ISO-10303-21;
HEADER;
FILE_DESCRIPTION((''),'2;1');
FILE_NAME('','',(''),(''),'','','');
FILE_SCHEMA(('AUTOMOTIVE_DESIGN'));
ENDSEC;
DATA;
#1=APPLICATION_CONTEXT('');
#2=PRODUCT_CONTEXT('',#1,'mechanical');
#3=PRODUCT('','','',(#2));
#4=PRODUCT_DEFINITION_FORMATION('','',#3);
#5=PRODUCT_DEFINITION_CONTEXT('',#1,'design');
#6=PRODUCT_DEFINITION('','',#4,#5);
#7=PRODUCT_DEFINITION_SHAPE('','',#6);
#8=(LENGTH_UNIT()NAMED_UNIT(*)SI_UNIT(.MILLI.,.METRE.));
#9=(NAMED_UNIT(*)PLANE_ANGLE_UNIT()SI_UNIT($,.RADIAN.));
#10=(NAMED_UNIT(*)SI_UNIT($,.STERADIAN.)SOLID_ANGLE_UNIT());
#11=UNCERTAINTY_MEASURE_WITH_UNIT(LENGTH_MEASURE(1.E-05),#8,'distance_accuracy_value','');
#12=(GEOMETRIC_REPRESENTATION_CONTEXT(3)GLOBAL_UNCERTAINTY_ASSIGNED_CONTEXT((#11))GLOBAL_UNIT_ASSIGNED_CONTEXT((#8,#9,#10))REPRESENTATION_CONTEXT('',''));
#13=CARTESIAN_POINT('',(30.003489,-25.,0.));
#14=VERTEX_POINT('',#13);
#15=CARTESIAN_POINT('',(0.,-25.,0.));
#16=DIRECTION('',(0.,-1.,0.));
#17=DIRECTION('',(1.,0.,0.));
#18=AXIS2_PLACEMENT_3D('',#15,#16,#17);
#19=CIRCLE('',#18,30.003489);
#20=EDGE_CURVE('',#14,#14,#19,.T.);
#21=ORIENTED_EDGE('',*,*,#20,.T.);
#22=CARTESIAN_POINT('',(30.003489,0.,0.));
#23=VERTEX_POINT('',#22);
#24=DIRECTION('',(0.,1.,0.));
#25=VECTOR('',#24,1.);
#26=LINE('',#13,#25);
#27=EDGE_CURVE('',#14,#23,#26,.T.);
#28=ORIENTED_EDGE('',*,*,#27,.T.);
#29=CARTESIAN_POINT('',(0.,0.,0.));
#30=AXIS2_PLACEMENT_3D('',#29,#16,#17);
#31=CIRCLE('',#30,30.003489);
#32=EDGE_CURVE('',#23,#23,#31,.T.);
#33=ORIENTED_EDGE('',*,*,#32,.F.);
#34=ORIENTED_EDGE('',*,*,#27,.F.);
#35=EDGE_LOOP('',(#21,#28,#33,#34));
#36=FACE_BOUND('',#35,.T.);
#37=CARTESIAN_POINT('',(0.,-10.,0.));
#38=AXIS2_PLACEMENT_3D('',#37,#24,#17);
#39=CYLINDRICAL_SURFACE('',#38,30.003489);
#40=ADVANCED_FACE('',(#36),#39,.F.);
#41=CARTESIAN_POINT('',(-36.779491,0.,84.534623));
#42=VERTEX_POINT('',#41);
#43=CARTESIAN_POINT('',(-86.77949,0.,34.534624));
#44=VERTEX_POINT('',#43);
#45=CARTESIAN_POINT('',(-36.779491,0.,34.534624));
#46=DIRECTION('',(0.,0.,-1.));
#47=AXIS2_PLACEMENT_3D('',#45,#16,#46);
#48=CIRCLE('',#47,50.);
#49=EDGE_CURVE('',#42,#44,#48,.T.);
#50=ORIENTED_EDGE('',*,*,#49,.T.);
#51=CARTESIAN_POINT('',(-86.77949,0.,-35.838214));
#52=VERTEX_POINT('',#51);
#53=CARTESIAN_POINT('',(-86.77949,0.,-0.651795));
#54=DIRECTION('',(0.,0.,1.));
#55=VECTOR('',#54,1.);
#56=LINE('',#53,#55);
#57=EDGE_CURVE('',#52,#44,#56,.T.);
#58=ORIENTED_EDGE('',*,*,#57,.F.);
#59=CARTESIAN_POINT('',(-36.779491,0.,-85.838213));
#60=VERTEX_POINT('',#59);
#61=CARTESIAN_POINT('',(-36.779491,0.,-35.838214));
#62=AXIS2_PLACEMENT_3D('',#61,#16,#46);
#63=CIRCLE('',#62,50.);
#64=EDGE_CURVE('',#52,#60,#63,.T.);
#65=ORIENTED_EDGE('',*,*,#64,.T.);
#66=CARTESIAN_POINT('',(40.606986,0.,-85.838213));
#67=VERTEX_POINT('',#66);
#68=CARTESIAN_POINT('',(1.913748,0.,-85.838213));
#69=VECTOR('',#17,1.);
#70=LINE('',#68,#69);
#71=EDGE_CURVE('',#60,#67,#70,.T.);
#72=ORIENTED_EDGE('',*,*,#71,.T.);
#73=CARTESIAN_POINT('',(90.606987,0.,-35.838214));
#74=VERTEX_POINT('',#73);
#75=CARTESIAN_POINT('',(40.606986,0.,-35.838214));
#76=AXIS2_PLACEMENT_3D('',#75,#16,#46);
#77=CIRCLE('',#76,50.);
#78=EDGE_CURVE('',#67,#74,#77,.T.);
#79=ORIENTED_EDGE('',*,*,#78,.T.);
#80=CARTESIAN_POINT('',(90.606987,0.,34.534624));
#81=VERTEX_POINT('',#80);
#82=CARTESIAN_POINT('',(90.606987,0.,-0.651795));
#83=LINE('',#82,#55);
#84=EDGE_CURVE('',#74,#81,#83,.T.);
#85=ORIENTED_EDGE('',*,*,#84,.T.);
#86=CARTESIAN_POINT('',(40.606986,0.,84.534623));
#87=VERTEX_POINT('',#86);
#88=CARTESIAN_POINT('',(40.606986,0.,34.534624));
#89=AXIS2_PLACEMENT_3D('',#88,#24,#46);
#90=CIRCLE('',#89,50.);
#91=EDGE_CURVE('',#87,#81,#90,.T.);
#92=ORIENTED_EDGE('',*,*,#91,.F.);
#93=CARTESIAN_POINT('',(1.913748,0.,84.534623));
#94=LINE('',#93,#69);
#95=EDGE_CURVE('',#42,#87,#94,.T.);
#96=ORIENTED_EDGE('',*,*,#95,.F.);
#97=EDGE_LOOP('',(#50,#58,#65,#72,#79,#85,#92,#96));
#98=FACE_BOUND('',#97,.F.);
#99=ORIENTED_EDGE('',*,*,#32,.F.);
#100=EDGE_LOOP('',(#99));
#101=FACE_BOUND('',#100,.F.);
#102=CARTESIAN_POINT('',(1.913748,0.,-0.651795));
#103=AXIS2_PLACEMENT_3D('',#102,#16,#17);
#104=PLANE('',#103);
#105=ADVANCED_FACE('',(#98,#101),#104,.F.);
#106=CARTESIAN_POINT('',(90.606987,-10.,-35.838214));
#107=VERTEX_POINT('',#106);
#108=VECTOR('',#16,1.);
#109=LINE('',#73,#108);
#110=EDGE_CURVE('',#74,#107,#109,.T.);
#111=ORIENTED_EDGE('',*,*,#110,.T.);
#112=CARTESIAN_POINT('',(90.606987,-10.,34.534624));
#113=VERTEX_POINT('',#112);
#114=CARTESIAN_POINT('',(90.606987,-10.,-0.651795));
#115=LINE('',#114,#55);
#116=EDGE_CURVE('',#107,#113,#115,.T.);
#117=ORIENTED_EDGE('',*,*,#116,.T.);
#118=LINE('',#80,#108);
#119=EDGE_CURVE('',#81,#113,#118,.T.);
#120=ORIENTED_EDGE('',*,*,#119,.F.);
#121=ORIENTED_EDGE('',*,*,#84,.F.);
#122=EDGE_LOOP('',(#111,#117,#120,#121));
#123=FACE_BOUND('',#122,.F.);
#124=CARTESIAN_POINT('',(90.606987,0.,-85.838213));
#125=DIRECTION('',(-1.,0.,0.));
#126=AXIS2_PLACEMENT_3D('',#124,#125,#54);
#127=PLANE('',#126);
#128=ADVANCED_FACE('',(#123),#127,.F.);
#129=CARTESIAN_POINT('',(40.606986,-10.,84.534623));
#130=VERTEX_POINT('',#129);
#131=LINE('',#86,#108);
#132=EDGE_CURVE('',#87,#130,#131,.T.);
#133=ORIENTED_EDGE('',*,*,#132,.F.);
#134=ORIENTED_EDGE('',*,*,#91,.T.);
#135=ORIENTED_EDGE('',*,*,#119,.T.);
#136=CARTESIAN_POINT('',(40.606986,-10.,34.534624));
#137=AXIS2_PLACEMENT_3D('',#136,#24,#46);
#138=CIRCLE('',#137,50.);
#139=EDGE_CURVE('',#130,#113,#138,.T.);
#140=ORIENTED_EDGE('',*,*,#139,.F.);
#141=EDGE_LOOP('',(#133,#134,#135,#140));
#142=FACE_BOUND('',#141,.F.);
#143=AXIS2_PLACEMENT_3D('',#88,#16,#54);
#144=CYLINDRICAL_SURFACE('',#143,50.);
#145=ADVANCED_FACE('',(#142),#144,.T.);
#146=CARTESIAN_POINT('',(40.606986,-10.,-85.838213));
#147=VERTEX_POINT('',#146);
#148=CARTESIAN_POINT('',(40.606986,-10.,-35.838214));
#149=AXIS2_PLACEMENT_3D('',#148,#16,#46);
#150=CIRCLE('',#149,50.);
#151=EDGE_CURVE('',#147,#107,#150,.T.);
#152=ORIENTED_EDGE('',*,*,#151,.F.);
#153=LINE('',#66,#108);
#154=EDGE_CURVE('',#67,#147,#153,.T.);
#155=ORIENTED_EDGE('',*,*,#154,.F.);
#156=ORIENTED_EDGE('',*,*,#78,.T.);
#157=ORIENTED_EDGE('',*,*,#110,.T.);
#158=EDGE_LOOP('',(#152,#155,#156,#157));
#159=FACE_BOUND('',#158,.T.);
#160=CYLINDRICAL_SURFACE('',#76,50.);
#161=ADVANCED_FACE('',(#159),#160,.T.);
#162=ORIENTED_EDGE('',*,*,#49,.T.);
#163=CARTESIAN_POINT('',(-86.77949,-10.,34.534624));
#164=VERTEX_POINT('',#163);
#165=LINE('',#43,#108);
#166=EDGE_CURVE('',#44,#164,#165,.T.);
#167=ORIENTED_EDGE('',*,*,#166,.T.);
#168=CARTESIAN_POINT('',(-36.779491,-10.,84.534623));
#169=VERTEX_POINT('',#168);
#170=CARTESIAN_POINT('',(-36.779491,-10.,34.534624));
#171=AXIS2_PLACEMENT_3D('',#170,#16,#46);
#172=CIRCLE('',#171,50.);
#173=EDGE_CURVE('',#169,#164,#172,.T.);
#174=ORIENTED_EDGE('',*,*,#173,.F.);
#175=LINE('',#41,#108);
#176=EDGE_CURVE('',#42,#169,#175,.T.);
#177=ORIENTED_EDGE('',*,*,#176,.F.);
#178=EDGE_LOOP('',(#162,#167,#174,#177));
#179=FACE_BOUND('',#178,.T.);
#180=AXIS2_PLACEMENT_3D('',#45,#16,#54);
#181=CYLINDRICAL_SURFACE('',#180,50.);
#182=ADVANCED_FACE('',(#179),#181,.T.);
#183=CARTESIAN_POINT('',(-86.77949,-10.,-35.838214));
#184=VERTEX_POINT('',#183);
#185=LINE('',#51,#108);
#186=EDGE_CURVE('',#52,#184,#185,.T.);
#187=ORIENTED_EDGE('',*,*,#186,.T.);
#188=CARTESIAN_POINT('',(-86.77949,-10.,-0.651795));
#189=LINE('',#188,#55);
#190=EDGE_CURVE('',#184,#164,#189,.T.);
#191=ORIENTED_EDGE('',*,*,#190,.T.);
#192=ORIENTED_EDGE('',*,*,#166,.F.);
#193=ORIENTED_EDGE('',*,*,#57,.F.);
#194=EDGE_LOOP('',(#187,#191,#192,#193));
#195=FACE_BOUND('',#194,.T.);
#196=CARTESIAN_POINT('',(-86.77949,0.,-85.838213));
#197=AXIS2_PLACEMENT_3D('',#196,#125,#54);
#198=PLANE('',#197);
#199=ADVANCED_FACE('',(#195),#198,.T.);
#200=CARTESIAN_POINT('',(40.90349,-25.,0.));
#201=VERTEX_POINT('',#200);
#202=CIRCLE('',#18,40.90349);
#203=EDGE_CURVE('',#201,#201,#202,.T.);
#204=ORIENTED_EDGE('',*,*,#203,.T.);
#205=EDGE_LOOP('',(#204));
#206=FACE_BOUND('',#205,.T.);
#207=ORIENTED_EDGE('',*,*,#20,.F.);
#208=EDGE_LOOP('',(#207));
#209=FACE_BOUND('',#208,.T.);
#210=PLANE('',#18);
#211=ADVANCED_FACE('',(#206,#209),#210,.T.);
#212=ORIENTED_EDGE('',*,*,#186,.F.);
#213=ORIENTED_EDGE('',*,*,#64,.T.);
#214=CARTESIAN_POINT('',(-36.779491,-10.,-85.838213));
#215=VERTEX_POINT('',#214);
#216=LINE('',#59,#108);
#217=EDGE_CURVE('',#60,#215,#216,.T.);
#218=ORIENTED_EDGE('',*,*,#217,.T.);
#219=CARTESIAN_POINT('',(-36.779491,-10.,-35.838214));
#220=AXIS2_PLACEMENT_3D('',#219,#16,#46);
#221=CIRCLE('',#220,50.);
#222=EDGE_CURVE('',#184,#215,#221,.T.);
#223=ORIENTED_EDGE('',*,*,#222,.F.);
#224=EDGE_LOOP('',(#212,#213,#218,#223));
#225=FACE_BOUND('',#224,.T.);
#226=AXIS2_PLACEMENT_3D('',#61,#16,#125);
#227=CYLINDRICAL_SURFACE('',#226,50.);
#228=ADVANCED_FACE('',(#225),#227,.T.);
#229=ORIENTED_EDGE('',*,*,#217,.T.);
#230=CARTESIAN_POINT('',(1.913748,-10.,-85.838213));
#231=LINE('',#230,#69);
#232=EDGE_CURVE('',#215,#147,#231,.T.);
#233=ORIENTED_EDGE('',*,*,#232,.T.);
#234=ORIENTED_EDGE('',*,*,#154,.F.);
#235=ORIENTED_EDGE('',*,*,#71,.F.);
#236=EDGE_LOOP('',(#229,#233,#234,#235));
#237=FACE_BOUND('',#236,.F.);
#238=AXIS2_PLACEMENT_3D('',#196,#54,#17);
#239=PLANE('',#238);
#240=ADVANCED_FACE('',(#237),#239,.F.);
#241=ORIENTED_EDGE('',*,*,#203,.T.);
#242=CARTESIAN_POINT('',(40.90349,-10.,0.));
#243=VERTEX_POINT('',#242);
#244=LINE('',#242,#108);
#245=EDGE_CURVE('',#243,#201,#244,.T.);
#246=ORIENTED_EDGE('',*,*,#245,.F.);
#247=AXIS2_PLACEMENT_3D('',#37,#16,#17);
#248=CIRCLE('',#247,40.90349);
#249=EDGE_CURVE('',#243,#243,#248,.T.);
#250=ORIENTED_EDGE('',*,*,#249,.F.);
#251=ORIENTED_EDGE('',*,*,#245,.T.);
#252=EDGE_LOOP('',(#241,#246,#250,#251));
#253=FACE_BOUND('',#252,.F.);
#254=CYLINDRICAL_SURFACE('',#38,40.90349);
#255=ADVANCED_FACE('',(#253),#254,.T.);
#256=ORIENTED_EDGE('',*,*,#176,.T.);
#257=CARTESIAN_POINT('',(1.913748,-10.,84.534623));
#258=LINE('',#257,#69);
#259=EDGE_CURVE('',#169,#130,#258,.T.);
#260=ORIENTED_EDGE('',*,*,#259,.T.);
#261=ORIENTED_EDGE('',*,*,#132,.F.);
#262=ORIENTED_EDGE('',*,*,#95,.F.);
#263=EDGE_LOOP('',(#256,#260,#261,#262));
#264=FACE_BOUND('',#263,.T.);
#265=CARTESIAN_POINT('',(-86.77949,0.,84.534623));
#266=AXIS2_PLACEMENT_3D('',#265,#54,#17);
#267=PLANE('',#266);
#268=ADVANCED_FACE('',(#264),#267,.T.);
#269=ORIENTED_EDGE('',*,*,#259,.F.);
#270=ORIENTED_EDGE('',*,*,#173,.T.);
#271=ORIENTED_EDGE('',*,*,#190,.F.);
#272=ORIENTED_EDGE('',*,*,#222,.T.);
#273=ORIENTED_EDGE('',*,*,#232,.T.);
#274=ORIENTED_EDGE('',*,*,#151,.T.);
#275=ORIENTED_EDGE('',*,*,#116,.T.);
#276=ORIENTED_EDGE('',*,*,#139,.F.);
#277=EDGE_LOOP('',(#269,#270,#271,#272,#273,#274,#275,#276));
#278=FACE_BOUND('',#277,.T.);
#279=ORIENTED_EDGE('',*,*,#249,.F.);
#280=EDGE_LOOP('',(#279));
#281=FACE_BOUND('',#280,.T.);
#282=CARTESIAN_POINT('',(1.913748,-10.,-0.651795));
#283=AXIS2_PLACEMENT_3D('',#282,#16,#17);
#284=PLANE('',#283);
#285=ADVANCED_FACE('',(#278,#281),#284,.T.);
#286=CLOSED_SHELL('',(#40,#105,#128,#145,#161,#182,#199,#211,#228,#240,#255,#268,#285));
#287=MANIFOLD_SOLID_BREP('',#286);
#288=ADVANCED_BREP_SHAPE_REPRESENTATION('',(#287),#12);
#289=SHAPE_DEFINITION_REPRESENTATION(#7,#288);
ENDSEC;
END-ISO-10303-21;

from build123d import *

# Parameters (mm, degrees)
F0_W     = 177.386477
F0_H     = 170.372837
F0_R     = 30.003489
F1_DEPTH = 10
F2_R     = 40.90349
F2_R_2   = 30.003489
F3_DEPTH = 15
F4_R     = 50
F5_R     = 50


with BuildPart() as f1:
    # F0 (on Front) → F1 (new body)
    with BuildSketch(Plane.XZ):
        with Locations((1.913748, -0.651795)):
            Rectangle(F0_W, F0_H)
        Circle(F0_R, mode=Mode.SUBTRACT)
    extrude(amount=F1_DEPTH)

    # F2 (on face) → F3 (join)
    with BuildSketch(Plane.XZ.offset(10)):
        Circle(F2_R)
        Circle(F2_R_2, mode=Mode.SUBTRACT)
    extrude(amount=F3_DEPTH)

    # F4
    f4_edges = [f1.edges().sort_by_distance(p)[0] for p in [
        (-86.77949, -5, 84.534623),
    ]]
    fillet(f4_edges, radius=F4_R)

    # F5
    f5_edges = [f1.edges().sort_by_distance(p)[0] for p in [
        (-86.77949, -5, -85.838214),
        (90.606987, -5, -85.838214),
        (90.606987, -5, 84.534623),
    ]]
    fillet(f5_edges, radius=F5_R)


solid = f1.part
